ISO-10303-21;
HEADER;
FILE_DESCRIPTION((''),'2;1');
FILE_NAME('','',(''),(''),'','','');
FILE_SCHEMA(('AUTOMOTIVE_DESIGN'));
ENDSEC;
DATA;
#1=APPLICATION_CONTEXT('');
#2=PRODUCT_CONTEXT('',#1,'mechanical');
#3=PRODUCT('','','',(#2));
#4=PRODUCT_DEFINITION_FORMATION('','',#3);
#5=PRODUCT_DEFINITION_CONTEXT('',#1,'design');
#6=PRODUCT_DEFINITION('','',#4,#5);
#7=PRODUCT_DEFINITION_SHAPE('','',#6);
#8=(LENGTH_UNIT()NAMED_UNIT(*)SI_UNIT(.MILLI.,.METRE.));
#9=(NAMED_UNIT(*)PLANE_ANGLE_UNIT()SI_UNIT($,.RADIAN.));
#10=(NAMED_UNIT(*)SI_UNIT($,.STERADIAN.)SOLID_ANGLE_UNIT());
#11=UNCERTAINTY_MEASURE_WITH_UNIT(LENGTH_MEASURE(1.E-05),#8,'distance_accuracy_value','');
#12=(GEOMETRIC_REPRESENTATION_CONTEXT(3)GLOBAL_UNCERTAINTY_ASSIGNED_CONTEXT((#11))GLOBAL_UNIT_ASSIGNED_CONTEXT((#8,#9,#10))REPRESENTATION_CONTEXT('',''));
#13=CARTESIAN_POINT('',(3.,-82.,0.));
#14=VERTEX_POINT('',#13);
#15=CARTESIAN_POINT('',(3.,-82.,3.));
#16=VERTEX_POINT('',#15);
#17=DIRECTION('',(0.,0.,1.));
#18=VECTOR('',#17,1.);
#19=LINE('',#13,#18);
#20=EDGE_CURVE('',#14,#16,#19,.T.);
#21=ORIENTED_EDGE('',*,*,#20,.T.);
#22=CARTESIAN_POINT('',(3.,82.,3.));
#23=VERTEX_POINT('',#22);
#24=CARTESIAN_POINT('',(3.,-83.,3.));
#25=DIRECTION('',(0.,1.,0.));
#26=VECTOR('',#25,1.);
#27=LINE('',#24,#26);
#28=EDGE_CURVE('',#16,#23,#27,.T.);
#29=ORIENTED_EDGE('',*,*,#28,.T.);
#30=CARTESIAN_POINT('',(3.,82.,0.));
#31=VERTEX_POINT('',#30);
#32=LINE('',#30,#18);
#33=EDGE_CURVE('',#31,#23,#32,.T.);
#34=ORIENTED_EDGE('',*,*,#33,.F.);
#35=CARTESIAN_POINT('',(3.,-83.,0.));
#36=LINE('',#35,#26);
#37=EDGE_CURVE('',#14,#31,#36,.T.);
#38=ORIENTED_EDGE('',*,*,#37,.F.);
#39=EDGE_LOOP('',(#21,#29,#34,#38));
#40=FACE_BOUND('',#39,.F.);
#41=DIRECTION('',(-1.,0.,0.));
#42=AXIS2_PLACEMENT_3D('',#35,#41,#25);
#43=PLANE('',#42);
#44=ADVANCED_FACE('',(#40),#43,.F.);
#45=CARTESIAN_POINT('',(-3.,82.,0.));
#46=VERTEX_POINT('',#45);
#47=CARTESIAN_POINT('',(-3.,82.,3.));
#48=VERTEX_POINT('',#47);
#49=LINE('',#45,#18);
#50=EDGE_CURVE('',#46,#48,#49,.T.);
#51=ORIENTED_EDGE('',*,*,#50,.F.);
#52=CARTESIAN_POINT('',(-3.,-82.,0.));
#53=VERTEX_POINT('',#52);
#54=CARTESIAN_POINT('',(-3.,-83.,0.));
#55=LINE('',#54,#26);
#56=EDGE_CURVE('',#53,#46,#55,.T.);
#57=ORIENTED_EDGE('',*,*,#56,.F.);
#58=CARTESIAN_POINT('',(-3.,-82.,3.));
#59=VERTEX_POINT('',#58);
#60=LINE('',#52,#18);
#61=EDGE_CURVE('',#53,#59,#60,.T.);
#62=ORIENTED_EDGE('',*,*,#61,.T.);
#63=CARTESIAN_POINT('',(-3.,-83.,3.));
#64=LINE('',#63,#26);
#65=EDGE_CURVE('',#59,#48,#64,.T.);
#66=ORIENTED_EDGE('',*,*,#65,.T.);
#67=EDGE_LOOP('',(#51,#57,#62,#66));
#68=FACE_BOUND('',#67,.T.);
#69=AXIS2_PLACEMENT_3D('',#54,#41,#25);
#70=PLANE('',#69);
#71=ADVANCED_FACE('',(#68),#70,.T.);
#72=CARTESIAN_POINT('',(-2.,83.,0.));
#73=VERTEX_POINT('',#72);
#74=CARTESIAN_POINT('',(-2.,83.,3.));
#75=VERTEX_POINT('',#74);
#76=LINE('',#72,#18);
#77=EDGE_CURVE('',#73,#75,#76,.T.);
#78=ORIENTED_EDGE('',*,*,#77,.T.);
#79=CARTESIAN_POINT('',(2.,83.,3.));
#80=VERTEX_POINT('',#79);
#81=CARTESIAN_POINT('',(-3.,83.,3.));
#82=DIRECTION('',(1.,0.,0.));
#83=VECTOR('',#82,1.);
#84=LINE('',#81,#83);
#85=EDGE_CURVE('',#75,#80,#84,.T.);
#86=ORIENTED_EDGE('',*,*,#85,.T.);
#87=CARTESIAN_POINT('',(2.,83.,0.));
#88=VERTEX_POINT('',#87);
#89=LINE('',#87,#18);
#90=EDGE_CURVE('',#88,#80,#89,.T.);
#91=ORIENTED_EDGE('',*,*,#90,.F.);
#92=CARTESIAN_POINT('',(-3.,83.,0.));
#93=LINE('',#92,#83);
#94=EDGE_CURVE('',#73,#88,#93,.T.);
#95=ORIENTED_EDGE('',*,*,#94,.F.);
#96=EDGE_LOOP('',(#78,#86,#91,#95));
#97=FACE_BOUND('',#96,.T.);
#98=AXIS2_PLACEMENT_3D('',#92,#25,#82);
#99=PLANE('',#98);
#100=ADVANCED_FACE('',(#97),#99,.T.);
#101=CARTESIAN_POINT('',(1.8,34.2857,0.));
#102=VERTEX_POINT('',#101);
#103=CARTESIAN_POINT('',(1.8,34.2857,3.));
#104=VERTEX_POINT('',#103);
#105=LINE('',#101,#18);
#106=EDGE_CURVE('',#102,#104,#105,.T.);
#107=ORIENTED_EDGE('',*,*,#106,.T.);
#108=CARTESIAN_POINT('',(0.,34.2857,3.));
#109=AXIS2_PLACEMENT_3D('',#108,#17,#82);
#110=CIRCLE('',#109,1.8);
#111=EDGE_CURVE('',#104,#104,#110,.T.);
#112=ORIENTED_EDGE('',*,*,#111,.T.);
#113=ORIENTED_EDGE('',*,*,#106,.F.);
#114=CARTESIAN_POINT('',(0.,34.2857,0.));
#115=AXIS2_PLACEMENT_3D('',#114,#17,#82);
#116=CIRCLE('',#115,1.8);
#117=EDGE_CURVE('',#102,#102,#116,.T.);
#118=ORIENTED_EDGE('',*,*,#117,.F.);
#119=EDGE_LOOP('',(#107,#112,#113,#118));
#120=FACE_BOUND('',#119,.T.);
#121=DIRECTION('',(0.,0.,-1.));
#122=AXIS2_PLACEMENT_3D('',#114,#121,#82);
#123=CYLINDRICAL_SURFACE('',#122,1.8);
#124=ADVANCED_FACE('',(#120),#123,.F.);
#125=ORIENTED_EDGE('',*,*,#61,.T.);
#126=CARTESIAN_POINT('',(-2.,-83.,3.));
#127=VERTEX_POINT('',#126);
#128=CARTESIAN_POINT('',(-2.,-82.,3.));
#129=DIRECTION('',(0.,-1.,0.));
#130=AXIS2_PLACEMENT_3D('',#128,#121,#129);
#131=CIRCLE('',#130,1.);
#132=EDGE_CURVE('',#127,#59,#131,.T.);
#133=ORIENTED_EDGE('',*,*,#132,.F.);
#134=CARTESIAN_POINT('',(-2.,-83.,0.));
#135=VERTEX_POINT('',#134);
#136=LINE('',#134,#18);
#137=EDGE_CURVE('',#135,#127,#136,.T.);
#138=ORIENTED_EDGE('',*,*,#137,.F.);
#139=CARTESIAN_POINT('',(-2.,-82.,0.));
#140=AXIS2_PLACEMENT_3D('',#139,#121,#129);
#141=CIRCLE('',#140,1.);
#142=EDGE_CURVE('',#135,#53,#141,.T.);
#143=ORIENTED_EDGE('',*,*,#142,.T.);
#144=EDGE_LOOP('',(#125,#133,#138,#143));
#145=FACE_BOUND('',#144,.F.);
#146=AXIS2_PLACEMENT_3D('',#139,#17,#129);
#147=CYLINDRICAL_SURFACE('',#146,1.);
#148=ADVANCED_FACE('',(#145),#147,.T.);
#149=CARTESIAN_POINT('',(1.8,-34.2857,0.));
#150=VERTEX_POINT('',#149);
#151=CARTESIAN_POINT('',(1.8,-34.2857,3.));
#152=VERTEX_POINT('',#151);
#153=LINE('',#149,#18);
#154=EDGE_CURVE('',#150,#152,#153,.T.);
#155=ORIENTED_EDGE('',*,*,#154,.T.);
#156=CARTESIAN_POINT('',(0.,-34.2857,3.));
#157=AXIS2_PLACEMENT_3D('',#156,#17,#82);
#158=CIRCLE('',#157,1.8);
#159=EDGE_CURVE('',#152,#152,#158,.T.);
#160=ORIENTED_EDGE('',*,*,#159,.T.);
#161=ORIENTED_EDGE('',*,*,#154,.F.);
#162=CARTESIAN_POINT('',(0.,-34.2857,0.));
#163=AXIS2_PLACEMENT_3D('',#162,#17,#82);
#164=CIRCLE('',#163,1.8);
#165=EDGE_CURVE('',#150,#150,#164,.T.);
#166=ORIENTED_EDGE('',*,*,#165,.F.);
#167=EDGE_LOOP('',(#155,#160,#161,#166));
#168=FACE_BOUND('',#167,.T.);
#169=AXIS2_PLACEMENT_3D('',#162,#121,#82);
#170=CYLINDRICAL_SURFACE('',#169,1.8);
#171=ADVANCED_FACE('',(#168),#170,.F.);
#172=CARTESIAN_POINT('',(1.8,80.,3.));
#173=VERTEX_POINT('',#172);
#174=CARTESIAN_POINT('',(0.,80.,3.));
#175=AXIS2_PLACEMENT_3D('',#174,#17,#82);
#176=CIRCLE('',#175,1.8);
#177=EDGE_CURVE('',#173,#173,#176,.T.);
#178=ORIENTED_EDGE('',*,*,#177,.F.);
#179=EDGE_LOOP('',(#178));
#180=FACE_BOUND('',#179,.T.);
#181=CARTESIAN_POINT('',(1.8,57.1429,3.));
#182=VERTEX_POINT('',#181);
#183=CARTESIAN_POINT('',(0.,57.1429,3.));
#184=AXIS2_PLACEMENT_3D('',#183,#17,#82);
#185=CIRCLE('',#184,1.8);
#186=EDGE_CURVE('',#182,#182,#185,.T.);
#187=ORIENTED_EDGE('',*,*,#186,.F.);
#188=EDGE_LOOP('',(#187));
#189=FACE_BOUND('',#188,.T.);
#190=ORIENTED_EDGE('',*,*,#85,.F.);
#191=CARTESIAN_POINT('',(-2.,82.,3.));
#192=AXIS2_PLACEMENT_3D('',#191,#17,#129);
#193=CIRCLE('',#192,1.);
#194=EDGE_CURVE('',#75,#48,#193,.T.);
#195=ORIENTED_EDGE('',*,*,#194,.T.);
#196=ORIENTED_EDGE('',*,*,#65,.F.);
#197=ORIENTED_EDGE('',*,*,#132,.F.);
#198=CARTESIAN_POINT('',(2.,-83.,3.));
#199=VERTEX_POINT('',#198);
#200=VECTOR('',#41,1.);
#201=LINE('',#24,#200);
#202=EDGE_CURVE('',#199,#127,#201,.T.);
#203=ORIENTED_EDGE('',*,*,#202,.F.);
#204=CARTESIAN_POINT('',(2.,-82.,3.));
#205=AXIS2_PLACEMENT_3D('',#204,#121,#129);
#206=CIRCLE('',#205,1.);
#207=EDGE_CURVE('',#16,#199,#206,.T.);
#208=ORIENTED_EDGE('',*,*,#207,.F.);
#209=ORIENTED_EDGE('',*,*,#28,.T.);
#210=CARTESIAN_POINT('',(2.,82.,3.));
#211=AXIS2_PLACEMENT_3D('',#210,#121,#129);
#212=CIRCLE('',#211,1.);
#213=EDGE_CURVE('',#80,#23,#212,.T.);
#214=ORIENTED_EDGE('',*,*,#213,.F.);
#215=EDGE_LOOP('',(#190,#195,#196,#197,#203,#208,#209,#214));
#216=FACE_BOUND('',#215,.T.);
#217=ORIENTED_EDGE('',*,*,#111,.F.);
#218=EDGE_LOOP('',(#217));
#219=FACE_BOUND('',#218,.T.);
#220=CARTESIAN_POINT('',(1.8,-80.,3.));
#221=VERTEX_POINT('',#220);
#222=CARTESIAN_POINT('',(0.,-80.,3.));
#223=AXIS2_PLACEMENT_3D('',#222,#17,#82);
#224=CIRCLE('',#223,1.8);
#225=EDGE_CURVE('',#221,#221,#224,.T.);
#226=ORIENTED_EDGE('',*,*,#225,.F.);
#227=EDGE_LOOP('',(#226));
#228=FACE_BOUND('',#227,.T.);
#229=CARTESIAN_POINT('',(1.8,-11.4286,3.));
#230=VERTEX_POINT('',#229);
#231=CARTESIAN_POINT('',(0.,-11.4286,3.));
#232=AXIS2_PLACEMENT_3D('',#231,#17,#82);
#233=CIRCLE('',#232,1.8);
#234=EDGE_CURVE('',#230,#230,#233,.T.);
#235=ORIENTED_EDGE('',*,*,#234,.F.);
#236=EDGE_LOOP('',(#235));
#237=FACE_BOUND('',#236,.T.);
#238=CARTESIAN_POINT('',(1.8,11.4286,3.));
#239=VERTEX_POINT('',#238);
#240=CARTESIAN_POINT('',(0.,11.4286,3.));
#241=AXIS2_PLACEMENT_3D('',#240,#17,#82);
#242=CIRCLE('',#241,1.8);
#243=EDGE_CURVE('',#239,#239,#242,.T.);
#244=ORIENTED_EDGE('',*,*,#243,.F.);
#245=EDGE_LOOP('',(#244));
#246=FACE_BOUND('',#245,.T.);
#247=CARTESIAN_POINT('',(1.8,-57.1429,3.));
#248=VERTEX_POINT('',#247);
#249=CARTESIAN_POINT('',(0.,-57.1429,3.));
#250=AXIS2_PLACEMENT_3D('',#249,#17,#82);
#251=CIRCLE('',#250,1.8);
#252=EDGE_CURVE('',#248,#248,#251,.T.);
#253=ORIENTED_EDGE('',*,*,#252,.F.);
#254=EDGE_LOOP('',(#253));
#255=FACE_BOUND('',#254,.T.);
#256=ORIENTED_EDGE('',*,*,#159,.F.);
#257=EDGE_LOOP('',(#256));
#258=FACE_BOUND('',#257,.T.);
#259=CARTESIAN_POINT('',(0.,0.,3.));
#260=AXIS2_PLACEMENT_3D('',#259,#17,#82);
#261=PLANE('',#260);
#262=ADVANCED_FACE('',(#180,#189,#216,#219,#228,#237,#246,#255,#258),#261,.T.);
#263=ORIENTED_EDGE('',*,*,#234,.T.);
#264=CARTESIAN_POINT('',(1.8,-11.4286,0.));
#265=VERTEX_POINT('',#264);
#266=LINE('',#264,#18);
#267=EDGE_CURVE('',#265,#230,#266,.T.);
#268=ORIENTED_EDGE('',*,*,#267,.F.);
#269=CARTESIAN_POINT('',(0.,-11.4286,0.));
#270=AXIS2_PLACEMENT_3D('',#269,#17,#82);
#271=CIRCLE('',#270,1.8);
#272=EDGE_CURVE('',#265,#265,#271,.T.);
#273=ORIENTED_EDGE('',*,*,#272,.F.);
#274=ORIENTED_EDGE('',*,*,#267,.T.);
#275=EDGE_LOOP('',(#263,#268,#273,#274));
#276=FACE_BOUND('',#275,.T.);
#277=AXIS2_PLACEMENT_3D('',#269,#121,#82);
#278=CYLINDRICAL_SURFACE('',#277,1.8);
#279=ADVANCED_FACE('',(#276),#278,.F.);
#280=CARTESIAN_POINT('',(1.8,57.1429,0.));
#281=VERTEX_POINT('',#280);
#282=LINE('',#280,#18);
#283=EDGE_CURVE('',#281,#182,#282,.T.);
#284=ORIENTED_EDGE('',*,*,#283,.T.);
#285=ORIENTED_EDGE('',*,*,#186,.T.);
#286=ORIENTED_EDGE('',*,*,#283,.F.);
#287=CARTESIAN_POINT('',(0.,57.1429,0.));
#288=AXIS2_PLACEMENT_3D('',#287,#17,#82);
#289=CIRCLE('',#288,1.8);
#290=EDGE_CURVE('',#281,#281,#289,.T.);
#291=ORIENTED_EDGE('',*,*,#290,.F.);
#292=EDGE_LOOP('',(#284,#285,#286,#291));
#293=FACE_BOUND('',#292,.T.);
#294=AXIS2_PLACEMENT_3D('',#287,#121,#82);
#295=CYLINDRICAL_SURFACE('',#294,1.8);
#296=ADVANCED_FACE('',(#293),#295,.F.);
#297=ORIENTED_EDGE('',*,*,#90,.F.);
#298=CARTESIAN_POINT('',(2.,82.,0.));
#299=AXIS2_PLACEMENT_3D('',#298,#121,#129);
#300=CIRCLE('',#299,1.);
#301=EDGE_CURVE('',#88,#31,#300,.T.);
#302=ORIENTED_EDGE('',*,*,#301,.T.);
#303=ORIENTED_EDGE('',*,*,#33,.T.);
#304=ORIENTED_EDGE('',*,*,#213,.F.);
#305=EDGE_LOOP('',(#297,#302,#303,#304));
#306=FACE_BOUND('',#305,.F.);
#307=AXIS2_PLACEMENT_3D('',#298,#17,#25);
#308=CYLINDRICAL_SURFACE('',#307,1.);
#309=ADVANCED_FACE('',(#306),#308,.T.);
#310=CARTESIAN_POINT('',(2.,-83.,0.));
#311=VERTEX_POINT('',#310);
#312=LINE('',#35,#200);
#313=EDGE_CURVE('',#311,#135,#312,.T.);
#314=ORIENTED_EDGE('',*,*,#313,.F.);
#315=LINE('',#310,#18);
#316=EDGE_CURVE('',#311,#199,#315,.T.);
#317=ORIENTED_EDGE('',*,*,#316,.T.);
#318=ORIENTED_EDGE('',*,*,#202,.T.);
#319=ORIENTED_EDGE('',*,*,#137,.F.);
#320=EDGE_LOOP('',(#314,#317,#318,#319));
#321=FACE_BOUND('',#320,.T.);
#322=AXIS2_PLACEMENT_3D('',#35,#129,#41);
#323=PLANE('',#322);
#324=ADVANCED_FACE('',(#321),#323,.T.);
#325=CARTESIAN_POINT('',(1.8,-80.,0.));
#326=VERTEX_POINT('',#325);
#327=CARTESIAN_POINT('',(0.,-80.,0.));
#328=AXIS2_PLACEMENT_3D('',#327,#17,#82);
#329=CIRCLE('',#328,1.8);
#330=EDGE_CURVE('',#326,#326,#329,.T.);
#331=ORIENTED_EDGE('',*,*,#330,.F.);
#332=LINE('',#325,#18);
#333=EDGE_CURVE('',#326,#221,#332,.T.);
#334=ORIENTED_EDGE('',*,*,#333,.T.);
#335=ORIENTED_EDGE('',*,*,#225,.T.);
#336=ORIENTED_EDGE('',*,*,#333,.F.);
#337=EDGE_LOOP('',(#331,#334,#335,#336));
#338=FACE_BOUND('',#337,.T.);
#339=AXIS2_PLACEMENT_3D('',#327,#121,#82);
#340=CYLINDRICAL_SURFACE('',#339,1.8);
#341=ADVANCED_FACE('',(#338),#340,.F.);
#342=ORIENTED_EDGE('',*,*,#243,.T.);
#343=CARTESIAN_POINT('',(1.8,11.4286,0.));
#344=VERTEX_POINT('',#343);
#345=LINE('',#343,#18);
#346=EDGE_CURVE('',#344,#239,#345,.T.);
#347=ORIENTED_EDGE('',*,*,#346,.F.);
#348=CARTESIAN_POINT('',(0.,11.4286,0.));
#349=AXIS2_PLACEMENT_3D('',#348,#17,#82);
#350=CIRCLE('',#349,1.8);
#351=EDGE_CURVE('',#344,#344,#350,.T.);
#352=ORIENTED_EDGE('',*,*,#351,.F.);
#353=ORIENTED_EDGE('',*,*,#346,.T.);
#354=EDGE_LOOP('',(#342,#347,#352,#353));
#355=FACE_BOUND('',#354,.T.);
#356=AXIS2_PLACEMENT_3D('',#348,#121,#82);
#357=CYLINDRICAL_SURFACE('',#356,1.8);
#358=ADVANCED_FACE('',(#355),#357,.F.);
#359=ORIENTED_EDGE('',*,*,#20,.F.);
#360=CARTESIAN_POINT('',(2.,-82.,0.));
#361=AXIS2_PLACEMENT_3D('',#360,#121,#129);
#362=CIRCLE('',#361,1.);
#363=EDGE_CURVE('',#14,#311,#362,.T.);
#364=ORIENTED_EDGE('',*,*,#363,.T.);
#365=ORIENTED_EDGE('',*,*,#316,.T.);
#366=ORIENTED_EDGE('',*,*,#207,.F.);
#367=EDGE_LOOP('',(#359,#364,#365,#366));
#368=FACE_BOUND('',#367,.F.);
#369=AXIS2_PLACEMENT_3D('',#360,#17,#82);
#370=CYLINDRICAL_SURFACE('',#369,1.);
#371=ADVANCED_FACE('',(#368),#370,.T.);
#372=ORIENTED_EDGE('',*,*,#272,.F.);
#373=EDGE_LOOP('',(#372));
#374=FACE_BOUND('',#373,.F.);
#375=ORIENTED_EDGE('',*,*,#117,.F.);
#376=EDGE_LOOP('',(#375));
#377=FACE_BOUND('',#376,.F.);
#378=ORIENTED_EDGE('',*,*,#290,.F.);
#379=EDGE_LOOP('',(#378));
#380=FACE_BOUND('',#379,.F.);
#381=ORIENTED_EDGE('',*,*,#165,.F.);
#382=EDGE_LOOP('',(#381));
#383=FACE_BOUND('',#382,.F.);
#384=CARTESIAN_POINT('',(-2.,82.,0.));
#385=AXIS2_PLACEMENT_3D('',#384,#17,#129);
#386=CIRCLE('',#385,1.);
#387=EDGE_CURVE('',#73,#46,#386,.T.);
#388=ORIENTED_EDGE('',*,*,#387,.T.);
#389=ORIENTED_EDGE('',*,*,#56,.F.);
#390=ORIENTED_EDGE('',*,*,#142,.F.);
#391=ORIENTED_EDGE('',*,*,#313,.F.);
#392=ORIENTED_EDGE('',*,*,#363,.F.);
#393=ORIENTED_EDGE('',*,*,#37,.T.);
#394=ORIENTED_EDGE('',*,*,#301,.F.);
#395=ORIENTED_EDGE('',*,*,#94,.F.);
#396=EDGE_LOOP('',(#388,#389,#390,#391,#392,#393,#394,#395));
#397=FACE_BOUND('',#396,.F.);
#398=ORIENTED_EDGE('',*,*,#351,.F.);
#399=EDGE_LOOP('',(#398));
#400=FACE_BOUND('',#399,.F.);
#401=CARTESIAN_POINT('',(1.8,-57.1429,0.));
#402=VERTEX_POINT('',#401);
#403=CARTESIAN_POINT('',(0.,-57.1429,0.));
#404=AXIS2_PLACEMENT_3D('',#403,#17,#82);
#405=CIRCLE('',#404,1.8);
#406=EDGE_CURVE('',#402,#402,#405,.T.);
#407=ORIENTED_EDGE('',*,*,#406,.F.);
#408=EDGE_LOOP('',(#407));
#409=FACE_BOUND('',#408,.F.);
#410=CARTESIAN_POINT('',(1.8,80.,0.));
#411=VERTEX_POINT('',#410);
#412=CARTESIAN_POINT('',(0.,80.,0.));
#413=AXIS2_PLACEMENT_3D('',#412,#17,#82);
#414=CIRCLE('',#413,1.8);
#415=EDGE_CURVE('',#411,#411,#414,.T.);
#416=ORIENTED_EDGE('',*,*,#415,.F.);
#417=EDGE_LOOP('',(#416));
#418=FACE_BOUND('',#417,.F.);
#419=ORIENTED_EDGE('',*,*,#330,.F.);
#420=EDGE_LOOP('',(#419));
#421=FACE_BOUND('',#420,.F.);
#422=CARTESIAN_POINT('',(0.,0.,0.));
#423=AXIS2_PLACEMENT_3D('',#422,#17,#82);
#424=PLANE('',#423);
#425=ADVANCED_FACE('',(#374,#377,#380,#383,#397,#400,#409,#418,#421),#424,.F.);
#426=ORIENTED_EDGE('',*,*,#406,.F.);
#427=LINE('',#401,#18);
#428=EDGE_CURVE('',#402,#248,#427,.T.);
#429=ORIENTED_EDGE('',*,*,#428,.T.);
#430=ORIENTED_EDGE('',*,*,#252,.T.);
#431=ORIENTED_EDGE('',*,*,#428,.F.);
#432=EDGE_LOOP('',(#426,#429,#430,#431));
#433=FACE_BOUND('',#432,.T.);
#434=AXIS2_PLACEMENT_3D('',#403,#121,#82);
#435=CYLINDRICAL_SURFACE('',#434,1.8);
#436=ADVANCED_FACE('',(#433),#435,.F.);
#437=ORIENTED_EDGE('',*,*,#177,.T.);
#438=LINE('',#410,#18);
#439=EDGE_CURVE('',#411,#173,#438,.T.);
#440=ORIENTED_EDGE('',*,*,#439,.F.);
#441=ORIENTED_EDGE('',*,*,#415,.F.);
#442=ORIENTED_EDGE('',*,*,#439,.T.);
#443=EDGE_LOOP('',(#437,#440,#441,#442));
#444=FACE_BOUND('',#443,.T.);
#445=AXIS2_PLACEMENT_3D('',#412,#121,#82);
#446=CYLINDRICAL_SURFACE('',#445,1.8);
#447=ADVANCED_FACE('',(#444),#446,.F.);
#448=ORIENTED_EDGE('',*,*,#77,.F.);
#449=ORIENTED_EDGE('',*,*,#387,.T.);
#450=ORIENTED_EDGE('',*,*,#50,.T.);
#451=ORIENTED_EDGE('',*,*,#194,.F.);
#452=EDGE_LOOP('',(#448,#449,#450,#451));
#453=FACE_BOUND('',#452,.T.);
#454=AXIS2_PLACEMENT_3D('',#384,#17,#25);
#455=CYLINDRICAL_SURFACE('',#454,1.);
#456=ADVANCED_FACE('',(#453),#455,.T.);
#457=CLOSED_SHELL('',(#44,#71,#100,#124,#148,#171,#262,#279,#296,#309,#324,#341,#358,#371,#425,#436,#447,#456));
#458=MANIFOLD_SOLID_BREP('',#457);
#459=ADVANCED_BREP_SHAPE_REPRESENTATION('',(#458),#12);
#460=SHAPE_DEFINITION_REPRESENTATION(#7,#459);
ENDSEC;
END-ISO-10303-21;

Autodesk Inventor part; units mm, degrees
ref_plane "YZ Plane" through (0, 0, 0) normal (1, 0, 0) x (0, 1, 0)
ref_plane "XZ Plane" through (0, 0, 0) normal (0, 1, 0) x (-1, 0, 0)
ref_plane "XY Plane" through (0, 0, 0) normal (0, 0, 1) x (1, 0, 0)
ref_plane "Work Plane1" through (0, 0, 0) normal (0, 0, 1) x (1, 0, 0)
sketch "Sketch1" plane through (0, 0, 0) normal (0, 0, 1) x (1, 0, 0)
  circle A0 centre (0, 80) radius 1.8 projected
  circle A1 centre (0, 11.4286) radius 1.8 projected
  circle A2 centre (0, -34.2857) radius 1.8 projected
  circle A3 centre (0, -80) radius 1.8 projected
  circle A4 centre (0, -57.1429) radius 1.8 projected
  circle A5 centre (0, -11.4286) radius 1.8 projected
  circle A6 centre (0, 57.1429) radius 1.8 projected
  circle A7 centre (0, 34.2857) radius 1.8 projected
  line L0 (-3, 83) -> (3, 83) projected
  line L1 (-3, -83) -> (-3, 83) projected
  line L2 (3, -83) -> (-3, -83) projected
  line L3 (3, -83) -> (3, 83) projected
  point P0 (0, 0)
extrude "Extrusion1" add sketch "Sketch1" along normal blind 3
sketch "Sketch2" plane through (0, 0, 3) normal (0, 0, 1) x (1, 0, 0)
  point P0 (0, 0)
fillet "Fillet1" radius 1 4 edges at (3, 83, 1.5) (-3, 83, 1.5) (-3, -83, 1.5) (3, -83, 1.5)
properties part number "petg_holder_2"
